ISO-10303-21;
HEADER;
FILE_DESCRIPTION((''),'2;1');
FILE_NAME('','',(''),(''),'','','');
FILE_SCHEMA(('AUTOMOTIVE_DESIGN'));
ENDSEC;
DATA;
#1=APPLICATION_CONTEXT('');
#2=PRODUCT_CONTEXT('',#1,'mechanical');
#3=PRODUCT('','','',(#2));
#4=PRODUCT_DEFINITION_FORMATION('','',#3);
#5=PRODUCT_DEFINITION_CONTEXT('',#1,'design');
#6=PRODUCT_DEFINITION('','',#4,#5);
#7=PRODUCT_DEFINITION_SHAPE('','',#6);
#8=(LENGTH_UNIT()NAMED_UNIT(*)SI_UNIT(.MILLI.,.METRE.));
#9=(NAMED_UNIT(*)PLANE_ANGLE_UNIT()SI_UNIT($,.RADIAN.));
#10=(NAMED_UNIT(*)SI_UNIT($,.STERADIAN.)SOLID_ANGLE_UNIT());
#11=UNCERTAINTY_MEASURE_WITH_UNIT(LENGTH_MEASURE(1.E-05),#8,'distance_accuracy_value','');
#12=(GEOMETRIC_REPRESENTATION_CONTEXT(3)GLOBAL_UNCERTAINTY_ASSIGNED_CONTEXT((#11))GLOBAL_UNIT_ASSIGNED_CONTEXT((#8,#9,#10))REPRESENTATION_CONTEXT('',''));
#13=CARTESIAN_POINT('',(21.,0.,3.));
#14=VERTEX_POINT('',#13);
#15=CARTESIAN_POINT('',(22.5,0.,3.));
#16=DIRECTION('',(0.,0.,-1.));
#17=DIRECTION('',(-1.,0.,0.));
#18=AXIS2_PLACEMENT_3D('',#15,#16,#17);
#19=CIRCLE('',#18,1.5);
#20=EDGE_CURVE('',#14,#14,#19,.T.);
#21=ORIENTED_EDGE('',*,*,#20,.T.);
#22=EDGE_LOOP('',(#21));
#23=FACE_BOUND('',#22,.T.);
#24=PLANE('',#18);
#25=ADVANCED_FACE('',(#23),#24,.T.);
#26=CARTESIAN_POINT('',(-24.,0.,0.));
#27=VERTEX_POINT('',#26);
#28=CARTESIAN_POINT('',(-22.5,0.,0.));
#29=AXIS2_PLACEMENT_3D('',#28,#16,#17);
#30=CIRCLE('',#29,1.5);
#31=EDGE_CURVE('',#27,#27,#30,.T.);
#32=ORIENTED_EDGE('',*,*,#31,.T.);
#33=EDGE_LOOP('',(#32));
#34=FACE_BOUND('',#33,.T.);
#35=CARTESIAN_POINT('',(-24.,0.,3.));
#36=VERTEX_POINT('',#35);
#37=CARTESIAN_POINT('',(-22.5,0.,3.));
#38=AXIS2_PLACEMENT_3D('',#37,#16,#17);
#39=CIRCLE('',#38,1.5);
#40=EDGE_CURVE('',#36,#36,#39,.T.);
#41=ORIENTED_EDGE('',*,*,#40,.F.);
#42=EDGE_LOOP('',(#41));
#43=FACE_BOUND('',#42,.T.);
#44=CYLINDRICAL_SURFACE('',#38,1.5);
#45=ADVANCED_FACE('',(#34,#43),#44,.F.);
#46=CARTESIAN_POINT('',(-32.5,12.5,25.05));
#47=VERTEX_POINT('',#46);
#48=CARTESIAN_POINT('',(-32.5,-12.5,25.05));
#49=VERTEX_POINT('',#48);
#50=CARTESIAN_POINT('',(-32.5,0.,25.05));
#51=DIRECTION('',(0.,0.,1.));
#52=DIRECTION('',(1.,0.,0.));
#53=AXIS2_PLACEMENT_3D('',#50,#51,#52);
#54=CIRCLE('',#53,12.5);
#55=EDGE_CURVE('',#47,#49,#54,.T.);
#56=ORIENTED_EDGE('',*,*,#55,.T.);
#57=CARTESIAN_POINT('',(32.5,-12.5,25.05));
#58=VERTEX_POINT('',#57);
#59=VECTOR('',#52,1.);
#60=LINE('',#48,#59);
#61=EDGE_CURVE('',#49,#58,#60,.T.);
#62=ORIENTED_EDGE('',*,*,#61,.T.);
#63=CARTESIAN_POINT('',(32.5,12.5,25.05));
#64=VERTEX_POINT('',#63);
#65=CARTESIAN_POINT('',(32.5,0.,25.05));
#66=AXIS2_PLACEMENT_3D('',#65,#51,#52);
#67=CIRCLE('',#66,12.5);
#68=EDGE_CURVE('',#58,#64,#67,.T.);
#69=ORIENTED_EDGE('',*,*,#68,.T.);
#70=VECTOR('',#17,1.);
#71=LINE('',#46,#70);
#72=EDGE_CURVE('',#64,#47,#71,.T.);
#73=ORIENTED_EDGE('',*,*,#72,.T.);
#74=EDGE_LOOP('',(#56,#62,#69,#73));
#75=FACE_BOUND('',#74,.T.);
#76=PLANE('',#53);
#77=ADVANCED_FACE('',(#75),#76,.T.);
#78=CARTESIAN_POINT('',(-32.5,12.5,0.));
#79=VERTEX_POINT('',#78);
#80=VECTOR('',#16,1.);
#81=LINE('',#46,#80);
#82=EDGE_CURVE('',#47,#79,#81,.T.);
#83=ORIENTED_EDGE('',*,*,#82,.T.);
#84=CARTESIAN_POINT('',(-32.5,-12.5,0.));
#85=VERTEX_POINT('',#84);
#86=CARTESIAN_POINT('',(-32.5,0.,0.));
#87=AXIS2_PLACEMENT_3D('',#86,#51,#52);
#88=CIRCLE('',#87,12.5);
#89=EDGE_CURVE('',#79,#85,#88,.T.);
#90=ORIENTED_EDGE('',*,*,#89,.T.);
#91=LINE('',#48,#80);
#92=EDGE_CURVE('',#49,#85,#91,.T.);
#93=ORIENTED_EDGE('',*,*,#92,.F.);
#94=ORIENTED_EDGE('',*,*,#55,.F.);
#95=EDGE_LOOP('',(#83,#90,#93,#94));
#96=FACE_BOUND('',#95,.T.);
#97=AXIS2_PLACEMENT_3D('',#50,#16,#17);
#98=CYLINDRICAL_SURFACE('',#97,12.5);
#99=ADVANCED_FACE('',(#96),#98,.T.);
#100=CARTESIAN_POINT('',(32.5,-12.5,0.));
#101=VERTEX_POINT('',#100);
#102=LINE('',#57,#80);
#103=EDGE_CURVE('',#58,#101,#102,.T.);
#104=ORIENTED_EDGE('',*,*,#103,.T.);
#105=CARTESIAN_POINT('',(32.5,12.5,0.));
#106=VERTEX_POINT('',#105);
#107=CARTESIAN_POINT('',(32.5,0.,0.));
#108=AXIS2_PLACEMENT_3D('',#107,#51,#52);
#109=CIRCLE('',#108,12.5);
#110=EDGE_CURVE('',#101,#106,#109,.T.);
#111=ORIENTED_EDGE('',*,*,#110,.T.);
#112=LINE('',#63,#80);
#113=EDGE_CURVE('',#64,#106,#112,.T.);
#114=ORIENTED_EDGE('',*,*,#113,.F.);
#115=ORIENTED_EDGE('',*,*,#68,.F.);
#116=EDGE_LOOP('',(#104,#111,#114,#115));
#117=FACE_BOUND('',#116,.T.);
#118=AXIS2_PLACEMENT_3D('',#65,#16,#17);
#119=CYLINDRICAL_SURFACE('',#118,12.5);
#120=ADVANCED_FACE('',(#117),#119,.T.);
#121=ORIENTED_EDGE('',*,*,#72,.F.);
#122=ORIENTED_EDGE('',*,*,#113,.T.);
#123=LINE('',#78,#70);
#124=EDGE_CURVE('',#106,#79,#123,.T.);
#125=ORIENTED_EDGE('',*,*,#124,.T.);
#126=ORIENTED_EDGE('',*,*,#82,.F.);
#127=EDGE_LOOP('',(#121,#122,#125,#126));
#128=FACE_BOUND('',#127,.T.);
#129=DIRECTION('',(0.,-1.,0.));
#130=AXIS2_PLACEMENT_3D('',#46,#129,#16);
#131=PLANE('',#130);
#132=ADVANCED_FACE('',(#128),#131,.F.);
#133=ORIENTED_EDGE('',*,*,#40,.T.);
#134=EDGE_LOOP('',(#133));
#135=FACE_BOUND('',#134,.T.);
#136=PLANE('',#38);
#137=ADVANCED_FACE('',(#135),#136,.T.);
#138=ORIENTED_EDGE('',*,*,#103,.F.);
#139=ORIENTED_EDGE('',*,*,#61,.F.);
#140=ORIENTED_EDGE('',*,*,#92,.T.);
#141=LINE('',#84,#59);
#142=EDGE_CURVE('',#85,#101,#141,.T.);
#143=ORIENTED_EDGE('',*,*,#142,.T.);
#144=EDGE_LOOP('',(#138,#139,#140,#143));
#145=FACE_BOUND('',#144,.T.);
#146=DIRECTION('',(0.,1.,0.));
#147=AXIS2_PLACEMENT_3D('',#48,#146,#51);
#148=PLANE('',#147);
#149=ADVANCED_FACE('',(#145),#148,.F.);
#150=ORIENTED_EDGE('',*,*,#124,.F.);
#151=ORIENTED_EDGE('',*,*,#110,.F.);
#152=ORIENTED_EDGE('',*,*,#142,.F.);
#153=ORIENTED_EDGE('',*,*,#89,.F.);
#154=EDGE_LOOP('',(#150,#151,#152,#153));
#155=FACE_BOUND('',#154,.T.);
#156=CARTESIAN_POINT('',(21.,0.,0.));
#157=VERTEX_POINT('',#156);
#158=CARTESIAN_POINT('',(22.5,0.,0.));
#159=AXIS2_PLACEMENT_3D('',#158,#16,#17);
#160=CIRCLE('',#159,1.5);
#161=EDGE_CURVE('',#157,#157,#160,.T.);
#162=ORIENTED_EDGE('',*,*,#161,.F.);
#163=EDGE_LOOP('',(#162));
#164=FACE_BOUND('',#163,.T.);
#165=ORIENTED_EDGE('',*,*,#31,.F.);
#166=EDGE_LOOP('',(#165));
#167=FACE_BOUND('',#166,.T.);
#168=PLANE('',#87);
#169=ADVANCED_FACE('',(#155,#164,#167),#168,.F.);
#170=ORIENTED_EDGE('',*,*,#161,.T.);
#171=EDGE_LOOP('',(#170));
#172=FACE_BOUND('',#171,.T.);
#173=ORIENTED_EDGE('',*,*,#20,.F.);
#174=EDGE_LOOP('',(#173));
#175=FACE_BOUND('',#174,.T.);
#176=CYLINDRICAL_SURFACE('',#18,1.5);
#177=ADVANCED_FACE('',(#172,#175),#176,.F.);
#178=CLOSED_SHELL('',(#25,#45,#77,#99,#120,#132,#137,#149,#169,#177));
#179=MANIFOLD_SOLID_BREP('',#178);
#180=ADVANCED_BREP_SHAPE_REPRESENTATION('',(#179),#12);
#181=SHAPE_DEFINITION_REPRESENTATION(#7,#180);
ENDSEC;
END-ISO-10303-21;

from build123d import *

# Parameters (mm, degrees)
EXTRUDE_1_DEPTH     = 25.05
SKETCH_2_R          = 1.5
CUT_EXTRUDE_1_DEPTH = 3


with BuildPart() as part:
    # 草图1 → 凸台-拉伸1 (new body)
    with BuildSketch(Plane.XY):
        with BuildLine():
            Line((-32.5, 12.5), (32.5, 12.5))
            ThreePointArc((32.5, 12.5), (45, 0), (32.5, -12.5))
            Line((32.5, -12.5), (-32.5, -12.5))
            ThreePointArc((-32.5, -12.5), (-45, 0), (-32.5, 12.5))
        make_face()
    extrude(amount=EXTRUDE_1_DEPTH)

    # 草图2 → 切除-拉伸1 (cut)
    with BuildSketch(Plane(origin=(0, 0, 0), x_dir=(-1, 0, 0), z_dir=(0, 0, -1))):
        with Locations((-22.5, 0)):
            Circle(SKETCH_2_R)
        with Locations((22.5, 0)):
            Circle(SKETCH_2_R)
    extrude(amount=-CUT_EXTRUDE_1_DEPTH, mode=Mode.SUBTRACT)


solid = part.part
